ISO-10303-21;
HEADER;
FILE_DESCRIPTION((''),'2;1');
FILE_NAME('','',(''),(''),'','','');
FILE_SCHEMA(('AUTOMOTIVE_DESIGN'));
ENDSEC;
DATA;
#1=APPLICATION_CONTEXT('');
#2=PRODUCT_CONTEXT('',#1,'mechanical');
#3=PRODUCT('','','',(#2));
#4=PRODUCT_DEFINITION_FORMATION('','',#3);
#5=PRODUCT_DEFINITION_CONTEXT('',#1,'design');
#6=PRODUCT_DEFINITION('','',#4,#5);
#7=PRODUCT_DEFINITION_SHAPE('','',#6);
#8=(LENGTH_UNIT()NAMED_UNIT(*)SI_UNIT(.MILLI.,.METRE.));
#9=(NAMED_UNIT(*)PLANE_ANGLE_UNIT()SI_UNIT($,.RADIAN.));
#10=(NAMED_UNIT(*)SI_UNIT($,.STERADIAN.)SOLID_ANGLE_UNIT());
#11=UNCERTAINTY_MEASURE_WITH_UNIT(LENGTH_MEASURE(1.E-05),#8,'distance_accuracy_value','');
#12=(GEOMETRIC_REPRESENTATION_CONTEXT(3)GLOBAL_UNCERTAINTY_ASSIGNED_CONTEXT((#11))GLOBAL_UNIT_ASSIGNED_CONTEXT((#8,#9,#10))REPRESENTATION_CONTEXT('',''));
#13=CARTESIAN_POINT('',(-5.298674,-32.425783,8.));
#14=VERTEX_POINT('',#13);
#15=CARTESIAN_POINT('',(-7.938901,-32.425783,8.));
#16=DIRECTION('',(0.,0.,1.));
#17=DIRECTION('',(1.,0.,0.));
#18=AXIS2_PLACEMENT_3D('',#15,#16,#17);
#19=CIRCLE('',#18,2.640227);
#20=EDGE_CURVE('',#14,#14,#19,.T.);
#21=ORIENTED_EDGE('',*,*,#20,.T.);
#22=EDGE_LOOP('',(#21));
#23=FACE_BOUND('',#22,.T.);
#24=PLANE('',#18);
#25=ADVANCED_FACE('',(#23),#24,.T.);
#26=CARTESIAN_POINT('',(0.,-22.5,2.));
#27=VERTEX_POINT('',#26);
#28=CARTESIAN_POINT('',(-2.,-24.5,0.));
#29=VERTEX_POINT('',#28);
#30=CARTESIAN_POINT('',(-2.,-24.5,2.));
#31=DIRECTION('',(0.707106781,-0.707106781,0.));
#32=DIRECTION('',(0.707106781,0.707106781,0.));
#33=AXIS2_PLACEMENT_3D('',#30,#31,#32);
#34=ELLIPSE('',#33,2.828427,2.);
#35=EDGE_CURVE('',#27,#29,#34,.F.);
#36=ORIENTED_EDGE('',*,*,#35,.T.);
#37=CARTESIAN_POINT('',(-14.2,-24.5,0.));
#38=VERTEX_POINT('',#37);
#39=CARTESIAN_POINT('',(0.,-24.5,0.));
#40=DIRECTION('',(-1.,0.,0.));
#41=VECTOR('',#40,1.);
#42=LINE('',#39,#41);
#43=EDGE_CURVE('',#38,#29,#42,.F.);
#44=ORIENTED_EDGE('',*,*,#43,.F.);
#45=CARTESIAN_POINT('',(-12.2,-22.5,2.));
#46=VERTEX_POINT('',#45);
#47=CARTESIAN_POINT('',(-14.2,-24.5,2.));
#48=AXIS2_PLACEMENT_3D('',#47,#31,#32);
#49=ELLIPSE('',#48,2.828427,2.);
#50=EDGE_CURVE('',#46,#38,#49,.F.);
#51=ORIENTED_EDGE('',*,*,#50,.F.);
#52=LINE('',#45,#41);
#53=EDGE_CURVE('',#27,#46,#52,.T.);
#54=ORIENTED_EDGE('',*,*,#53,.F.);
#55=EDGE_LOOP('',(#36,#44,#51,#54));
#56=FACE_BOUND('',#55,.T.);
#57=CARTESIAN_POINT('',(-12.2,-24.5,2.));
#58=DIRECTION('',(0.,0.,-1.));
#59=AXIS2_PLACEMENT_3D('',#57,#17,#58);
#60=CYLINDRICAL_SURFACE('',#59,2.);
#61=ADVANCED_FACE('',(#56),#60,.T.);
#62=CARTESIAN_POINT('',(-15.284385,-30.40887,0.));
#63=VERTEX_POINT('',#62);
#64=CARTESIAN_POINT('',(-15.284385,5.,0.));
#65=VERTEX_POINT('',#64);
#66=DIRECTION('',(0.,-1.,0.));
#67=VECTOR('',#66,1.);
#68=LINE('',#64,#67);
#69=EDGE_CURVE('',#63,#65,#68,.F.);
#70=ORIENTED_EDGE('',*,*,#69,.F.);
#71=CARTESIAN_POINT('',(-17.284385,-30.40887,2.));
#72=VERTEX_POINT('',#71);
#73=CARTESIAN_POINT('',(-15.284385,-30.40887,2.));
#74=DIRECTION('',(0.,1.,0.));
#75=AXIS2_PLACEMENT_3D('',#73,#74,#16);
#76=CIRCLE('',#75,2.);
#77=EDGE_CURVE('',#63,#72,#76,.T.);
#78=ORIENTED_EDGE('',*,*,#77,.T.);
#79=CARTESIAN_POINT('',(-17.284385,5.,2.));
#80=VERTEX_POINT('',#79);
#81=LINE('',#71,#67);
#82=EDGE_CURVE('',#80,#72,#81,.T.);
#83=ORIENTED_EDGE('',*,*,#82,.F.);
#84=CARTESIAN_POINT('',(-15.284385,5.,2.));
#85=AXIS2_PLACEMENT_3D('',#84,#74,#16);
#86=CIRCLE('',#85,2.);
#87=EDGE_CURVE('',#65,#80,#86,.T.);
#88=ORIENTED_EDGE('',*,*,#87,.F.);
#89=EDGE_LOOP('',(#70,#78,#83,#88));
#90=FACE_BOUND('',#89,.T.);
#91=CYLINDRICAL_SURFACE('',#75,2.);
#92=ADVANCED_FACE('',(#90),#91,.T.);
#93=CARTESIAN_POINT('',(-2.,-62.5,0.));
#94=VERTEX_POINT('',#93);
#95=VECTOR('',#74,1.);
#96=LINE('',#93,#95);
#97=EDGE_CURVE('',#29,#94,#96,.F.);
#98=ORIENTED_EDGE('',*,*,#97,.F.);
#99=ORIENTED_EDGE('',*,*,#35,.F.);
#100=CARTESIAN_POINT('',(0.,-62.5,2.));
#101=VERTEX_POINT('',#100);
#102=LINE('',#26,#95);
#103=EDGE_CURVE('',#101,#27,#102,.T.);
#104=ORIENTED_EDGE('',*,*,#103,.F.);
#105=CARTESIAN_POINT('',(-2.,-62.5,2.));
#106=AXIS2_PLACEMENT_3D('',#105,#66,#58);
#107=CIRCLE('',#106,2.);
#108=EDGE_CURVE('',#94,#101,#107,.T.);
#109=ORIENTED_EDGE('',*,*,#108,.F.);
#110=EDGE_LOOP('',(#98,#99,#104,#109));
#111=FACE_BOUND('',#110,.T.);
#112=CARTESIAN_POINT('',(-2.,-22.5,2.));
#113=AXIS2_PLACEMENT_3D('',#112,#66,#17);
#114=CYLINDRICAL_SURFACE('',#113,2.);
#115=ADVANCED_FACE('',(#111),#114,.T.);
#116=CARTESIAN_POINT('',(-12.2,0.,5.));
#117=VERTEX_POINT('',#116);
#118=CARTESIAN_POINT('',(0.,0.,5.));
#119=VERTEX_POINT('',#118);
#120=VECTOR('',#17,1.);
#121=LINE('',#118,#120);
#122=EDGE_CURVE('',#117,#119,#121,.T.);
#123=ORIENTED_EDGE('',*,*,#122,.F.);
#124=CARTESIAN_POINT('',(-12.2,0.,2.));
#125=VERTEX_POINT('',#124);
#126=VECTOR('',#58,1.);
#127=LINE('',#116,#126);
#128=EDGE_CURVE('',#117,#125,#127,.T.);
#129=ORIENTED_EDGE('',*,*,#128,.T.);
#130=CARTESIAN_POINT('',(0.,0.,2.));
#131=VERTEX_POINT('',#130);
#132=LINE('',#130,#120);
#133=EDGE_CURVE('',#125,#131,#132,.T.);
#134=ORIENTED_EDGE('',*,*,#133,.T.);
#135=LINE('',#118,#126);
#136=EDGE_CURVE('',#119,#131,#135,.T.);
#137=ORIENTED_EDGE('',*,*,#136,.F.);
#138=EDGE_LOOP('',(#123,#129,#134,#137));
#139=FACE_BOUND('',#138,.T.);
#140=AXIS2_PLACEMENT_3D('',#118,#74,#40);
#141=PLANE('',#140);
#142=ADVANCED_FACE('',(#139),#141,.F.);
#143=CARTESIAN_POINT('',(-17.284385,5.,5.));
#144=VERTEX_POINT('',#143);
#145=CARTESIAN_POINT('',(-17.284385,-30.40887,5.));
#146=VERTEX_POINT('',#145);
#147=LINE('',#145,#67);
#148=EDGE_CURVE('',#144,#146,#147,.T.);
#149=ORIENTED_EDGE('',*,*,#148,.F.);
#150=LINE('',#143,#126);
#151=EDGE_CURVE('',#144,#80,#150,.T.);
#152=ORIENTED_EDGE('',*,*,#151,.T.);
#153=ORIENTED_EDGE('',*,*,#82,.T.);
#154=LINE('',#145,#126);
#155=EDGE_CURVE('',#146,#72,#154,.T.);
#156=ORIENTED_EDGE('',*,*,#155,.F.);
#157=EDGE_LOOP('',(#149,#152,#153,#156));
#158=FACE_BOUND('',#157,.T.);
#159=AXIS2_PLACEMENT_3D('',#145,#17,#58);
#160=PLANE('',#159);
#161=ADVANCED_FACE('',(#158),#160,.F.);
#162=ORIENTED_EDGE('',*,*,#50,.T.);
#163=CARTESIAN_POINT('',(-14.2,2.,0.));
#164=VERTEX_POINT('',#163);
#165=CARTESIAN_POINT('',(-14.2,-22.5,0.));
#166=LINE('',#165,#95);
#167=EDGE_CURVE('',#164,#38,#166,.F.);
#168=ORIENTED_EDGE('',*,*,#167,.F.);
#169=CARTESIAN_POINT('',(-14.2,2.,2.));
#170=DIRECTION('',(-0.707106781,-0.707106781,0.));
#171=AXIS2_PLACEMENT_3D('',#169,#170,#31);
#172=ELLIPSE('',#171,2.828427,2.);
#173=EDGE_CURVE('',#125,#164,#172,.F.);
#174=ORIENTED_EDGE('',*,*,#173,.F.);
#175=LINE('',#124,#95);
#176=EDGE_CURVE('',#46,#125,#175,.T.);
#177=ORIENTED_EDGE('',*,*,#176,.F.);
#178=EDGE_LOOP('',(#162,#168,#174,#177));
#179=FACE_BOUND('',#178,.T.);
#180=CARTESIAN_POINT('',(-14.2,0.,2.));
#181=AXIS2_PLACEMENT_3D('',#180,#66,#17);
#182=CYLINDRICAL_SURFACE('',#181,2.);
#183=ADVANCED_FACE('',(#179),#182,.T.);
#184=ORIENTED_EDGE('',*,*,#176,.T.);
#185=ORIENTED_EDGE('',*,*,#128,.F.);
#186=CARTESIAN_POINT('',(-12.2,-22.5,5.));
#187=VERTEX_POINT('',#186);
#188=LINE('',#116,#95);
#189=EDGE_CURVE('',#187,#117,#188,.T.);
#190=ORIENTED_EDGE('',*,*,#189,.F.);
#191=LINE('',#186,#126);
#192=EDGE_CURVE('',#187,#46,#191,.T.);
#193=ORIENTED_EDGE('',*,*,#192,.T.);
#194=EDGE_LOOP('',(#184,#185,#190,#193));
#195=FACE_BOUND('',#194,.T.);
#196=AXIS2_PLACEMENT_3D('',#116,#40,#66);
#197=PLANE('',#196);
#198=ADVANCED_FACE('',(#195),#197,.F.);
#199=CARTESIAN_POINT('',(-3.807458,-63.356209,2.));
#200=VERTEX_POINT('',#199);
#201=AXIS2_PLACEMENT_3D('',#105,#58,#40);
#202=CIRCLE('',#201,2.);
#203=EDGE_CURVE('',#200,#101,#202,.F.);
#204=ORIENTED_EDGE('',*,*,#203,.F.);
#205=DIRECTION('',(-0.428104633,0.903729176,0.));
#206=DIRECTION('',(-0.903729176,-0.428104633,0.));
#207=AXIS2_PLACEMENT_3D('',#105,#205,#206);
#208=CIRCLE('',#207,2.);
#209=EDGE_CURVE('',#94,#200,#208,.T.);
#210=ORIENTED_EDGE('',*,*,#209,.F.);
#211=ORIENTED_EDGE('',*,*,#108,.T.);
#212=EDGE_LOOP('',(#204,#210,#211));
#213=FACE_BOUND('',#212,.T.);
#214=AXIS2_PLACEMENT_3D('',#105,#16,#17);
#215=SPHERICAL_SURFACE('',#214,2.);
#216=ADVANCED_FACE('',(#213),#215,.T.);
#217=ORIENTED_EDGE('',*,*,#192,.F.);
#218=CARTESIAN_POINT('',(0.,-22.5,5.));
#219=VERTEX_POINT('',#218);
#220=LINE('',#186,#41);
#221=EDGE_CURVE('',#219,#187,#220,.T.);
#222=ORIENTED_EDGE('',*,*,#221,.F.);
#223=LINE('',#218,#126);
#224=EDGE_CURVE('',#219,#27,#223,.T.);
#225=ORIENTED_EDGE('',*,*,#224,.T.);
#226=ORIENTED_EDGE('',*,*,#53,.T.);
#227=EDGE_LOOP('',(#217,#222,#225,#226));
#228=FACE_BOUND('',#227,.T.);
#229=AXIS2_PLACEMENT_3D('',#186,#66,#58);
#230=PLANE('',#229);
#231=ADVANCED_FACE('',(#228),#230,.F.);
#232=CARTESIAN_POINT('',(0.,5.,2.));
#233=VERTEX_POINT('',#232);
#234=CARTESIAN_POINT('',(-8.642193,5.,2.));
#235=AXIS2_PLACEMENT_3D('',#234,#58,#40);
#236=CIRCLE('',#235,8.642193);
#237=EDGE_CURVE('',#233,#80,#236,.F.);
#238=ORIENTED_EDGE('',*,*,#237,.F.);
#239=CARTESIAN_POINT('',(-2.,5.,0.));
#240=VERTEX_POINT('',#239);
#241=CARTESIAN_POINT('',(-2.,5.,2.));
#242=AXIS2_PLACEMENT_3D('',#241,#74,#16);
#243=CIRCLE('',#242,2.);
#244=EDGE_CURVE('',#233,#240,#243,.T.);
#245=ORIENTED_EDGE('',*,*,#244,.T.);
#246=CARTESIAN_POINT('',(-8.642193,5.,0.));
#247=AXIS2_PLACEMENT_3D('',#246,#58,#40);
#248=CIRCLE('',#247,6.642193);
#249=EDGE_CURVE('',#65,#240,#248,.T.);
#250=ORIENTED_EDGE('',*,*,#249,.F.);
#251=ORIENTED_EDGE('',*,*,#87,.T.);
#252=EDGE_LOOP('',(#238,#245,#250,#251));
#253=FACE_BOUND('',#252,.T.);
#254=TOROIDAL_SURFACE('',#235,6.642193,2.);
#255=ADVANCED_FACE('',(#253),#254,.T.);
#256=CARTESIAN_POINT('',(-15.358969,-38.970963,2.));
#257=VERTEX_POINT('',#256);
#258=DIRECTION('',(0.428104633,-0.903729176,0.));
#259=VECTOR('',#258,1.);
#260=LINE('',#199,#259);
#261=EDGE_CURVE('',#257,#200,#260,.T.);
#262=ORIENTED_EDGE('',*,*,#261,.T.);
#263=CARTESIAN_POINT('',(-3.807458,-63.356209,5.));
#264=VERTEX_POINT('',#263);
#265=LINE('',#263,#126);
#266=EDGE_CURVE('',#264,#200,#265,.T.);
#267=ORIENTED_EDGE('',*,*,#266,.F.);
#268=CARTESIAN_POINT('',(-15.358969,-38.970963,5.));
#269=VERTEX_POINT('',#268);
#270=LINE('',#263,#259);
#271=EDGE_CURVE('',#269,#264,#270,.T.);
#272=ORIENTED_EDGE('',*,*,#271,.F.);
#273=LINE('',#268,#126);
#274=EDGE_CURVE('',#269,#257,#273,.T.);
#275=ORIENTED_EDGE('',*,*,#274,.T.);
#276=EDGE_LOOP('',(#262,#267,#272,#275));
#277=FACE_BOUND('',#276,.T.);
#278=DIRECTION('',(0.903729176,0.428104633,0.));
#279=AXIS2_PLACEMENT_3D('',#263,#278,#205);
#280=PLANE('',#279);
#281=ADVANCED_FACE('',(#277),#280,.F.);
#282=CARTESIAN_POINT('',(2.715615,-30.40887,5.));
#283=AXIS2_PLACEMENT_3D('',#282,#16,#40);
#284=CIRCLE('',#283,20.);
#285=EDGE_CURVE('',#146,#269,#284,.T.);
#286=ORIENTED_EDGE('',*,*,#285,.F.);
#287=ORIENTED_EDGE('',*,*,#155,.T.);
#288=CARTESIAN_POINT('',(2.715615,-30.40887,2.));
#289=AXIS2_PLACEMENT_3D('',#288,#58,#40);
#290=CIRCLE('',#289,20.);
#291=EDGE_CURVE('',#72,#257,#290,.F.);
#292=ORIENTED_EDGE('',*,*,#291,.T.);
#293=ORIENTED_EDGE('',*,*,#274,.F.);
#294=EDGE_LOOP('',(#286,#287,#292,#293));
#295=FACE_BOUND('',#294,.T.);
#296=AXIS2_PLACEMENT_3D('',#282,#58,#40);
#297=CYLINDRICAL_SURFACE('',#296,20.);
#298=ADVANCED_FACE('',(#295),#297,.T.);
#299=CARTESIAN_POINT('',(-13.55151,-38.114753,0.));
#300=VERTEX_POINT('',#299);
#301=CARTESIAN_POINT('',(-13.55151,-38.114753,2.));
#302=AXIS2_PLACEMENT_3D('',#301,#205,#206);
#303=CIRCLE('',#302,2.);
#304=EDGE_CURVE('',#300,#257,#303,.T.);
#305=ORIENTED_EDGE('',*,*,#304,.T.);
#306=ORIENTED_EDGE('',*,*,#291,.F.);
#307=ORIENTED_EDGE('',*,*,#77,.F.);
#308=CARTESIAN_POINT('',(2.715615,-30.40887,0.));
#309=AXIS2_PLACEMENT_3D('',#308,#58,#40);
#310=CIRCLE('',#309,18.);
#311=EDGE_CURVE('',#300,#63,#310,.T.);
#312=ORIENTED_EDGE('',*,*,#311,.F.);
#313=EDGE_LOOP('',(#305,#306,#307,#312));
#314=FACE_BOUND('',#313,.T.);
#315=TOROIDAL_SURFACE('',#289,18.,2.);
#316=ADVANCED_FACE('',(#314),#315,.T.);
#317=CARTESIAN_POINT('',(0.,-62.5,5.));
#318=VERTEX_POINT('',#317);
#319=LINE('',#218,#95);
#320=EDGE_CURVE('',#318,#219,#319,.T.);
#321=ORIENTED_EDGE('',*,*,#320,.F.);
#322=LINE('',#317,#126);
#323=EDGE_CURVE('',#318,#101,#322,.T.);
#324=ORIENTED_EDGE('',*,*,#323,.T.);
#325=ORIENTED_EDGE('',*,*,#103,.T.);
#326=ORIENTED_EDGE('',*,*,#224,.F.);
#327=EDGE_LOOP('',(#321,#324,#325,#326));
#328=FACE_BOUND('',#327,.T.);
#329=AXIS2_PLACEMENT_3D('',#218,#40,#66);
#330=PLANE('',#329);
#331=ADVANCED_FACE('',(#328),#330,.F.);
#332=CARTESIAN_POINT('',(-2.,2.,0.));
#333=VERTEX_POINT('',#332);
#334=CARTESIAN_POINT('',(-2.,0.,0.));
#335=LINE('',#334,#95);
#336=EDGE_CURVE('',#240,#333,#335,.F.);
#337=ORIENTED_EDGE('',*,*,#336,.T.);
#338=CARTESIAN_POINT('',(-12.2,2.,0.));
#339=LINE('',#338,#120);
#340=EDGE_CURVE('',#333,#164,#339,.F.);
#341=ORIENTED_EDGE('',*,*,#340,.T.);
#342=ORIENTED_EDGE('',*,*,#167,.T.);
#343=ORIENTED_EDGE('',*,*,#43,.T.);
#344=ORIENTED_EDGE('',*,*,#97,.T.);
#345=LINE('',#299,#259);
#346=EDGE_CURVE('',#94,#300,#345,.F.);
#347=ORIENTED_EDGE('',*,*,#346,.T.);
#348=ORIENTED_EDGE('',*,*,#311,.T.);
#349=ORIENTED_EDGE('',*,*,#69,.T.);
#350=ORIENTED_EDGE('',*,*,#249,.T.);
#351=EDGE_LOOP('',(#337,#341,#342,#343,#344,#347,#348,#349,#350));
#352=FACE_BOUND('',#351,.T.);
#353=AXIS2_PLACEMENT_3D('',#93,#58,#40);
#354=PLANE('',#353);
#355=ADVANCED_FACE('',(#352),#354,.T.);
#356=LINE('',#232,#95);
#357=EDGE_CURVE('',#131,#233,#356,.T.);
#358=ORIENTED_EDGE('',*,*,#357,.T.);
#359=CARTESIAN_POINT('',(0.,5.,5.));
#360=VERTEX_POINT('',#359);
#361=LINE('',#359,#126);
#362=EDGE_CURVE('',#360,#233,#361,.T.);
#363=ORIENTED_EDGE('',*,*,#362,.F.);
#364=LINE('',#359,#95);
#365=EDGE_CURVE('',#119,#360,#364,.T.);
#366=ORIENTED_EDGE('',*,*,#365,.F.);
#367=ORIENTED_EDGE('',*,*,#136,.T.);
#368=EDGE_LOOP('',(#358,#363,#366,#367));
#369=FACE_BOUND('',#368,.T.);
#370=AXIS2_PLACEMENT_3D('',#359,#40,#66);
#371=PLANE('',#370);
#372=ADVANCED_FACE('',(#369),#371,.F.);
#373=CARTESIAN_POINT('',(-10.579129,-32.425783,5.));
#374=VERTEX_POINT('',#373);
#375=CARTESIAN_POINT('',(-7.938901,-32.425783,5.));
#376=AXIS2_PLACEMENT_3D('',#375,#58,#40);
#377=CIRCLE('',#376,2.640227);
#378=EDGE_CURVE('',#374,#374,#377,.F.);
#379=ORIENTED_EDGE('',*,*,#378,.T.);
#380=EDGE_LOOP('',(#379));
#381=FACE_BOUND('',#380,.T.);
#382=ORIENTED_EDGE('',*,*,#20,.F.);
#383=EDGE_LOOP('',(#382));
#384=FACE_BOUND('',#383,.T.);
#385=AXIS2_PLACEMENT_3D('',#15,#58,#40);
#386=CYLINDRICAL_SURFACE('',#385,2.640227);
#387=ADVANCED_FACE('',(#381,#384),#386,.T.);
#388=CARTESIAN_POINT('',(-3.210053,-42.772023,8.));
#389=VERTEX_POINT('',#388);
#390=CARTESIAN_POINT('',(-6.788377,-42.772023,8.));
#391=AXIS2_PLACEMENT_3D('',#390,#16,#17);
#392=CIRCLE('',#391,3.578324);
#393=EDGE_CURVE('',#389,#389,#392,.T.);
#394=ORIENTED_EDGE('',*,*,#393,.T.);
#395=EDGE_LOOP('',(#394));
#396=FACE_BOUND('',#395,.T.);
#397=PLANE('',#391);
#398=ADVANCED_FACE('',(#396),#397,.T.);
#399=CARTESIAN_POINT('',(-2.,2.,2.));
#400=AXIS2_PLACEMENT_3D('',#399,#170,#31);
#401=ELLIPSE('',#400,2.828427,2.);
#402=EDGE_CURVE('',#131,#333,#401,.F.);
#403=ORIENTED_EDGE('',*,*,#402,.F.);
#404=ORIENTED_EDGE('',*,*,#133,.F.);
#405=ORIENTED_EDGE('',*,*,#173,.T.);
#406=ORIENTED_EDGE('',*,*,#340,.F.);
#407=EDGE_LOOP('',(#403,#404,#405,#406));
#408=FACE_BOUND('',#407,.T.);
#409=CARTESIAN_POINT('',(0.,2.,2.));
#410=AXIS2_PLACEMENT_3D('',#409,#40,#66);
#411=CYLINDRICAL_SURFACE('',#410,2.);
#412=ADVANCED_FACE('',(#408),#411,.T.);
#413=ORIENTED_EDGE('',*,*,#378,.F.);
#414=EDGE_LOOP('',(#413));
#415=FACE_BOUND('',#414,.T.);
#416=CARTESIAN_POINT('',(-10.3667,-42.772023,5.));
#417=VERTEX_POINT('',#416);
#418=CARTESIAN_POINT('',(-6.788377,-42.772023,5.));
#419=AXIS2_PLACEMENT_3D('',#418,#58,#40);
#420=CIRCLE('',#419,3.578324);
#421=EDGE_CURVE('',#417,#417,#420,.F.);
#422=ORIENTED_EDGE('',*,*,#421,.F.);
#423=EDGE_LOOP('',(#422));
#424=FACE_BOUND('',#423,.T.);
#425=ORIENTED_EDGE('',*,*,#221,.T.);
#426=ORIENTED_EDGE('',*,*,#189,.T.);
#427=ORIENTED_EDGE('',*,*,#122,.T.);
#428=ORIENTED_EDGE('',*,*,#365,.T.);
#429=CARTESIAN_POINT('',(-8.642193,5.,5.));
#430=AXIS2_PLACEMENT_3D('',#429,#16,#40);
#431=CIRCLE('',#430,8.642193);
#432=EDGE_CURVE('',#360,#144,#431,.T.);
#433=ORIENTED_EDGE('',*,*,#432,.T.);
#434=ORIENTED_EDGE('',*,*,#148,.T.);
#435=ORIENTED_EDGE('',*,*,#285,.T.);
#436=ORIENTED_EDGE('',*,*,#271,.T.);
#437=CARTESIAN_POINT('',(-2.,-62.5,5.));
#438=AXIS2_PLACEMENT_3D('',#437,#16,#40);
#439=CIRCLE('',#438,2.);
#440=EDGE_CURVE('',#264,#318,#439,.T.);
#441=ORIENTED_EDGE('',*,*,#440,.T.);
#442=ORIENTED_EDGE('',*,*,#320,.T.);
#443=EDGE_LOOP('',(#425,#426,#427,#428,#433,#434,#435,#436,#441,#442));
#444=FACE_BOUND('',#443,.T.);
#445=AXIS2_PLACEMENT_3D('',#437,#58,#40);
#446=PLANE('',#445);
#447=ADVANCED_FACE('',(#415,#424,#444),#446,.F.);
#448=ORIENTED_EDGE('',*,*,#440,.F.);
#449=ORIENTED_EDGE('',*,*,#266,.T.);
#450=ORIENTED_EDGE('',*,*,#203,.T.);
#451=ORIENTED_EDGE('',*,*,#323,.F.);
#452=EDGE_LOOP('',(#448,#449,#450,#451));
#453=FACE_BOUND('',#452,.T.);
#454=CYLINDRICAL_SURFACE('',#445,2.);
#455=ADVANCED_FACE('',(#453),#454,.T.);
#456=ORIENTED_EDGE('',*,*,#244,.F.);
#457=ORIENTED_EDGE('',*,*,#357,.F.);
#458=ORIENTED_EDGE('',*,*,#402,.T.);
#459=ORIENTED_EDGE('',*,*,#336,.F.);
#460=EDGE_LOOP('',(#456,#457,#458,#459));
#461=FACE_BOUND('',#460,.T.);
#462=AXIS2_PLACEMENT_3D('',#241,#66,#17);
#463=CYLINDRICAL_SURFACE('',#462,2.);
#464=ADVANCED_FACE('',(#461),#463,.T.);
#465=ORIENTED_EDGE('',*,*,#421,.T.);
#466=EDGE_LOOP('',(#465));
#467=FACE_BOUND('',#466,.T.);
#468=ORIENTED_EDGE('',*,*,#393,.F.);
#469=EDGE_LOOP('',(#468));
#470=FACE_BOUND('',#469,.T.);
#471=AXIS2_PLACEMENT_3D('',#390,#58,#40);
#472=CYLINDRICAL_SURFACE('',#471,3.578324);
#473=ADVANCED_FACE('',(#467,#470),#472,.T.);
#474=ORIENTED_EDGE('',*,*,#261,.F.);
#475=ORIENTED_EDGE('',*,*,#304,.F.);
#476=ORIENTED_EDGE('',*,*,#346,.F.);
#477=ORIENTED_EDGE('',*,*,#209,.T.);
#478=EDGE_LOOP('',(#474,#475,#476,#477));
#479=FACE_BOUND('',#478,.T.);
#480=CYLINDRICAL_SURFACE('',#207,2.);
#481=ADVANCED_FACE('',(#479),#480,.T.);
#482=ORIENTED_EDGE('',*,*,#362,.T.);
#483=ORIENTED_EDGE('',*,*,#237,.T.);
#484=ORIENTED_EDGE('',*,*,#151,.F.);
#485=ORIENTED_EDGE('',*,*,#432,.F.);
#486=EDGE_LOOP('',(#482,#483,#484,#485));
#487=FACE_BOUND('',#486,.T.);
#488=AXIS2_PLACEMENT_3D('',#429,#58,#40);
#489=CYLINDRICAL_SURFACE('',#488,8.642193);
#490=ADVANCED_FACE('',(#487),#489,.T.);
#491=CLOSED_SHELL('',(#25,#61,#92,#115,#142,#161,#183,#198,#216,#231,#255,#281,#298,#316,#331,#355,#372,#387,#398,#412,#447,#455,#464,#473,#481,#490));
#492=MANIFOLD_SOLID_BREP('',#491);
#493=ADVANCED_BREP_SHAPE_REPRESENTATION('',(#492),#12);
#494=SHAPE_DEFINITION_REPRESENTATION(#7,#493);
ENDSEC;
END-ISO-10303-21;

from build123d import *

# Parameters (mm, degrees)
EXTRUDE_1_DEPTH = 5
SKETCH_3_R      = 2.640227158
SKETCH_3_R_2    = 3.578323713
EXTRUDE_2_DEPTH = 3
FILLET_3_R      = 2


with BuildPart() as part:
    # 草圖1 → 填料-伸長1 (new body)
    with BuildSketch(Plane.XY):
        with BuildLine():
            Line((0, 0), (-12.2, 0))
            Line((-12.2, 0), (-12.2, -22.5))
            Line((-12.2, -22.5), (0, -22.5))
            Line((0, -22.5), (0, -62.5))
            ThreePointArc((0, -62.5), (-1.561204321, -64.451270958), (-3.807458352, -63.356209266))
            Line((-3.807458352, -63.356209266), (-15.358968834, -38.970962655))
            ThreePointArc((-15.358968834, -38.970962655), (-16.797094897, -34.796826792), (-17.284385317, -30.408869998))
            Line((-17.284385317, -30.408869998), (-17.284385317, 5))
            ThreePointArc((-17.284385317, 5), (-8.642192658, 13.642192658), (0, 5))
            Line((0, 5), (0, 0))
        make_face()
    extrude(amount=EXTRUDE_1_DEPTH)

    # 草圖3 → 填料-伸長2 (add)
    with BuildSketch(Plane.XY.offset(5)):
        with Locations(Location((-7.938901353, -32.425782639, 0), (0, 0, 180))):
            Circle(SKETCH_3_R)
        with Locations(Location((-6.788376637, -42.772023111, 0), (0, 0, 180))):
            Circle(SKETCH_3_R_2)
    extrude(amount=EXTRUDE_2_DEPTH)

    # 圓角3
    fillet_3_edges = [part.edges().sort_by_distance(p)[0] for p in [
        (-6.1, -22.5, 0),
        (0, -42.5, 0),
        (-1.561204321, -64.451270958, 0),
        (-9.583213593, -51.163585961, 0),
        (-16.797094897, -34.796826792, 0),
        (-17.284385317, -12.704434999, 0),
        (-8.642192658, 13.642192658, 0),
        (0, 2.5, 0),
        (-6.1, 0, 0),
        (-12.2, -11.25, 0),
    ]]
    fillet(fillet_3_edges, radius=FILLET_3_R)


solid = part.part
